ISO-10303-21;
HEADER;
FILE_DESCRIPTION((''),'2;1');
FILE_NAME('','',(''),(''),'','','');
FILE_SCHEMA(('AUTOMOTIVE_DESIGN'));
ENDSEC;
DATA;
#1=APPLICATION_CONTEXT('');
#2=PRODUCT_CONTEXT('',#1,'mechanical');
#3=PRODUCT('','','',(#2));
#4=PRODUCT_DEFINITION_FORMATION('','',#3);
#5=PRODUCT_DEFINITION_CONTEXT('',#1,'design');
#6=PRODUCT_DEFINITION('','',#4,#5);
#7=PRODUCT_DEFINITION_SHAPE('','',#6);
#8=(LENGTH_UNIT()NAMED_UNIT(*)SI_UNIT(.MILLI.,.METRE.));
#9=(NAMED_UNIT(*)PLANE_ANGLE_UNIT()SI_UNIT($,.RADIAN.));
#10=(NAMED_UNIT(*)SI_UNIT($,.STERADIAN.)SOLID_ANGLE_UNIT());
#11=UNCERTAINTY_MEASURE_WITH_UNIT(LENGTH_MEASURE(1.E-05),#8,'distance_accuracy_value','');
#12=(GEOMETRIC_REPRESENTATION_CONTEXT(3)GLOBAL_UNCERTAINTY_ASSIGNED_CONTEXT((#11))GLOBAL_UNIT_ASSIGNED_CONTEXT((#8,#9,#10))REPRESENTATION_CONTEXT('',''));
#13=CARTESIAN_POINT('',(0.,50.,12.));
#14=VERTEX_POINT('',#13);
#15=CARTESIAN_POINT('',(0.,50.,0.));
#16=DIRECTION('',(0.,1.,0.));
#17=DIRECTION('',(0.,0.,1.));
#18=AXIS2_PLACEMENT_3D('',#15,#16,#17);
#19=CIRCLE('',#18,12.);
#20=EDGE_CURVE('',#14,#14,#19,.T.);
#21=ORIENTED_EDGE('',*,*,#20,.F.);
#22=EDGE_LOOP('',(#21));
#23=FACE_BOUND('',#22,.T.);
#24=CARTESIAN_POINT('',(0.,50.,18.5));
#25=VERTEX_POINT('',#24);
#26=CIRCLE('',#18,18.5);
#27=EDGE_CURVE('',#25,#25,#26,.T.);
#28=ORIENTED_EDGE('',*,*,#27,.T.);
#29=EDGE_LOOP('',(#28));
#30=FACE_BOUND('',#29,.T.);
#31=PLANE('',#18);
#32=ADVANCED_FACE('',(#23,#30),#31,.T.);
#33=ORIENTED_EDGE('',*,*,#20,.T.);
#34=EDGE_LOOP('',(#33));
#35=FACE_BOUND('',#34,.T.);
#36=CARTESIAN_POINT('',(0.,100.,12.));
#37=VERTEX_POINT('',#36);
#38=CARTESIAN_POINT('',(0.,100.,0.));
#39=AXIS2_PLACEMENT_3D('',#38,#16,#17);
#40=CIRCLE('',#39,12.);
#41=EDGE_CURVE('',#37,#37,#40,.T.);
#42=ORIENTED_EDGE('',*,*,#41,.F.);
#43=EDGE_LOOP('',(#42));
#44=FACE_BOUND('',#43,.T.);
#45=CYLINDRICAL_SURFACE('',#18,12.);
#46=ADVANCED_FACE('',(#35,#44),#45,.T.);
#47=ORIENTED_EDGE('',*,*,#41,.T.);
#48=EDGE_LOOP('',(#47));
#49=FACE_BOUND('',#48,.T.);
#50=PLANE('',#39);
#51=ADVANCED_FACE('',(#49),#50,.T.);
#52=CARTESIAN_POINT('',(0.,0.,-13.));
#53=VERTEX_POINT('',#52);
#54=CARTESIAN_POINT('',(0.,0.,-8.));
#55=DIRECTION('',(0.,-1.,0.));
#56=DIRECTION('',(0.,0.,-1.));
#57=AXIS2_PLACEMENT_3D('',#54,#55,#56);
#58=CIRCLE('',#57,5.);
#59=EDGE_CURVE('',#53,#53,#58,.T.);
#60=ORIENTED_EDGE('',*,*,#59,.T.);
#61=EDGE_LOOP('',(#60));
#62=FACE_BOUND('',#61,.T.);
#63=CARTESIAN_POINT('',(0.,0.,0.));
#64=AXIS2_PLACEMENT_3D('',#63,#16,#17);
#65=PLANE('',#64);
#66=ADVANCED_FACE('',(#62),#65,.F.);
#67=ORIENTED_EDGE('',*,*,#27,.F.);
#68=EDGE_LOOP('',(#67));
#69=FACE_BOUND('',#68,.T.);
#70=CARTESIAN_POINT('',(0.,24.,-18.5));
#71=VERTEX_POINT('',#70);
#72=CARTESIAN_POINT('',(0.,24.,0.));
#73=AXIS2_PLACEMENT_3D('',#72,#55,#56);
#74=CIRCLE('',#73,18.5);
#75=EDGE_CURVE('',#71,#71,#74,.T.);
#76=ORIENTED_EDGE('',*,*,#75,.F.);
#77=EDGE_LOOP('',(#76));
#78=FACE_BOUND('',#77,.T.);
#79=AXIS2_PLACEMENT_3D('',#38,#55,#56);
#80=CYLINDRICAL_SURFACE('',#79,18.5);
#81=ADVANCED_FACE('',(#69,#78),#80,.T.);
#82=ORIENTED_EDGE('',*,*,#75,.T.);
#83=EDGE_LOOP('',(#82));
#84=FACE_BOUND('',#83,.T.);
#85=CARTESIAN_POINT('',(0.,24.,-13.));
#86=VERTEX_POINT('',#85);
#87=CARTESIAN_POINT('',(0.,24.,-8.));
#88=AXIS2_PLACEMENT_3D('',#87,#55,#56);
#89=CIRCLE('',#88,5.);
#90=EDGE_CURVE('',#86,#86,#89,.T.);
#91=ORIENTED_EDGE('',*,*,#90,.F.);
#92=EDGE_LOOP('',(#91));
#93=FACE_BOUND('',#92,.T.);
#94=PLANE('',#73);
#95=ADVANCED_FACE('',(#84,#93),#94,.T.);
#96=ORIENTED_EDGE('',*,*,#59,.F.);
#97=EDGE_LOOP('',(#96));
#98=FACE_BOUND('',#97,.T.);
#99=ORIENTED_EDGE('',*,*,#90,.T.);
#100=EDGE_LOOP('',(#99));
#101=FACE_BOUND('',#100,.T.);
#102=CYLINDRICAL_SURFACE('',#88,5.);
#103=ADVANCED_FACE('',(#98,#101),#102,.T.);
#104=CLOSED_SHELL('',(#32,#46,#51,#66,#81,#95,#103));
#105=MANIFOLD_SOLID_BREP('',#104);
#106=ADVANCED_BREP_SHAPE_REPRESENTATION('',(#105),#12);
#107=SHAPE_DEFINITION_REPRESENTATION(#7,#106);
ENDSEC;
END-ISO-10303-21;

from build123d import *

# Parameters (mm, degrees)
ESBO_O1_R                = 18.5
RESSALTO_EXTRUS_O1_DEPTH = 100
CORTE_EXTRUS_O1_START    = -50
ESBO_O2_R                = 18.5
ESBO_O2_R_2              = 12
CORTE_EXTRUS_O1_DEPTH    = 50
ESBO_O3_R                = 18.5
ESBO_O3_R_2              = 5
CORTE_EXTRUS_O2_DEPTH    = 24


with BuildPart() as part:
    # Esboço1 → Ressalto-extrusão1 (new body)
    with BuildSketch(Plane(origin=(0, 0, 0), x_dir=(1, 0, 0), z_dir=(0, 1, 0))):
        with Locations(Location((0, 0, 0), (0, 0, 270))):
            Circle(ESBO_O1_R)
    extrude(amount=RESSALTO_EXTRUS_O1_DEPTH)

    # Esboço2 → Corte-extrusão1 (cut)
    with BuildSketch(Plane(origin=(0, 100, 0), x_dir=(1, 0, 0), z_dir=(0, 1, 0)).offset(CORTE_EXTRUS_O1_START)):
        with Locations(Location((0, 0, 0), (0, 0, 270))):
            Circle(ESBO_O2_R)
        with Locations(Location((0, 0, 0), (0, 0, 270))):
            Circle(ESBO_O2_R_2, mode=Mode.SUBTRACT)
    extrude(amount=CORTE_EXTRUS_O1_DEPTH, mode=Mode.SUBTRACT)

    # Esboço3 → Corte-extrusão2 (cut)
    with BuildSketch(Plane(origin=(0, 0, 0), x_dir=(-1, 0, 0), z_dir=(0, -1, 0))):
        with Locations(Location((0, 0, 0), (0, 0, 90))):
            Circle(ESBO_O3_R)
        with Locations(Location((0, 8, 0), (0, 0, 90))):
            Circle(ESBO_O3_R_2, mode=Mode.SUBTRACT)
    extrude(amount=-CORTE_EXTRUS_O2_DEPTH, mode=Mode.SUBTRACT)


solid = part.part
